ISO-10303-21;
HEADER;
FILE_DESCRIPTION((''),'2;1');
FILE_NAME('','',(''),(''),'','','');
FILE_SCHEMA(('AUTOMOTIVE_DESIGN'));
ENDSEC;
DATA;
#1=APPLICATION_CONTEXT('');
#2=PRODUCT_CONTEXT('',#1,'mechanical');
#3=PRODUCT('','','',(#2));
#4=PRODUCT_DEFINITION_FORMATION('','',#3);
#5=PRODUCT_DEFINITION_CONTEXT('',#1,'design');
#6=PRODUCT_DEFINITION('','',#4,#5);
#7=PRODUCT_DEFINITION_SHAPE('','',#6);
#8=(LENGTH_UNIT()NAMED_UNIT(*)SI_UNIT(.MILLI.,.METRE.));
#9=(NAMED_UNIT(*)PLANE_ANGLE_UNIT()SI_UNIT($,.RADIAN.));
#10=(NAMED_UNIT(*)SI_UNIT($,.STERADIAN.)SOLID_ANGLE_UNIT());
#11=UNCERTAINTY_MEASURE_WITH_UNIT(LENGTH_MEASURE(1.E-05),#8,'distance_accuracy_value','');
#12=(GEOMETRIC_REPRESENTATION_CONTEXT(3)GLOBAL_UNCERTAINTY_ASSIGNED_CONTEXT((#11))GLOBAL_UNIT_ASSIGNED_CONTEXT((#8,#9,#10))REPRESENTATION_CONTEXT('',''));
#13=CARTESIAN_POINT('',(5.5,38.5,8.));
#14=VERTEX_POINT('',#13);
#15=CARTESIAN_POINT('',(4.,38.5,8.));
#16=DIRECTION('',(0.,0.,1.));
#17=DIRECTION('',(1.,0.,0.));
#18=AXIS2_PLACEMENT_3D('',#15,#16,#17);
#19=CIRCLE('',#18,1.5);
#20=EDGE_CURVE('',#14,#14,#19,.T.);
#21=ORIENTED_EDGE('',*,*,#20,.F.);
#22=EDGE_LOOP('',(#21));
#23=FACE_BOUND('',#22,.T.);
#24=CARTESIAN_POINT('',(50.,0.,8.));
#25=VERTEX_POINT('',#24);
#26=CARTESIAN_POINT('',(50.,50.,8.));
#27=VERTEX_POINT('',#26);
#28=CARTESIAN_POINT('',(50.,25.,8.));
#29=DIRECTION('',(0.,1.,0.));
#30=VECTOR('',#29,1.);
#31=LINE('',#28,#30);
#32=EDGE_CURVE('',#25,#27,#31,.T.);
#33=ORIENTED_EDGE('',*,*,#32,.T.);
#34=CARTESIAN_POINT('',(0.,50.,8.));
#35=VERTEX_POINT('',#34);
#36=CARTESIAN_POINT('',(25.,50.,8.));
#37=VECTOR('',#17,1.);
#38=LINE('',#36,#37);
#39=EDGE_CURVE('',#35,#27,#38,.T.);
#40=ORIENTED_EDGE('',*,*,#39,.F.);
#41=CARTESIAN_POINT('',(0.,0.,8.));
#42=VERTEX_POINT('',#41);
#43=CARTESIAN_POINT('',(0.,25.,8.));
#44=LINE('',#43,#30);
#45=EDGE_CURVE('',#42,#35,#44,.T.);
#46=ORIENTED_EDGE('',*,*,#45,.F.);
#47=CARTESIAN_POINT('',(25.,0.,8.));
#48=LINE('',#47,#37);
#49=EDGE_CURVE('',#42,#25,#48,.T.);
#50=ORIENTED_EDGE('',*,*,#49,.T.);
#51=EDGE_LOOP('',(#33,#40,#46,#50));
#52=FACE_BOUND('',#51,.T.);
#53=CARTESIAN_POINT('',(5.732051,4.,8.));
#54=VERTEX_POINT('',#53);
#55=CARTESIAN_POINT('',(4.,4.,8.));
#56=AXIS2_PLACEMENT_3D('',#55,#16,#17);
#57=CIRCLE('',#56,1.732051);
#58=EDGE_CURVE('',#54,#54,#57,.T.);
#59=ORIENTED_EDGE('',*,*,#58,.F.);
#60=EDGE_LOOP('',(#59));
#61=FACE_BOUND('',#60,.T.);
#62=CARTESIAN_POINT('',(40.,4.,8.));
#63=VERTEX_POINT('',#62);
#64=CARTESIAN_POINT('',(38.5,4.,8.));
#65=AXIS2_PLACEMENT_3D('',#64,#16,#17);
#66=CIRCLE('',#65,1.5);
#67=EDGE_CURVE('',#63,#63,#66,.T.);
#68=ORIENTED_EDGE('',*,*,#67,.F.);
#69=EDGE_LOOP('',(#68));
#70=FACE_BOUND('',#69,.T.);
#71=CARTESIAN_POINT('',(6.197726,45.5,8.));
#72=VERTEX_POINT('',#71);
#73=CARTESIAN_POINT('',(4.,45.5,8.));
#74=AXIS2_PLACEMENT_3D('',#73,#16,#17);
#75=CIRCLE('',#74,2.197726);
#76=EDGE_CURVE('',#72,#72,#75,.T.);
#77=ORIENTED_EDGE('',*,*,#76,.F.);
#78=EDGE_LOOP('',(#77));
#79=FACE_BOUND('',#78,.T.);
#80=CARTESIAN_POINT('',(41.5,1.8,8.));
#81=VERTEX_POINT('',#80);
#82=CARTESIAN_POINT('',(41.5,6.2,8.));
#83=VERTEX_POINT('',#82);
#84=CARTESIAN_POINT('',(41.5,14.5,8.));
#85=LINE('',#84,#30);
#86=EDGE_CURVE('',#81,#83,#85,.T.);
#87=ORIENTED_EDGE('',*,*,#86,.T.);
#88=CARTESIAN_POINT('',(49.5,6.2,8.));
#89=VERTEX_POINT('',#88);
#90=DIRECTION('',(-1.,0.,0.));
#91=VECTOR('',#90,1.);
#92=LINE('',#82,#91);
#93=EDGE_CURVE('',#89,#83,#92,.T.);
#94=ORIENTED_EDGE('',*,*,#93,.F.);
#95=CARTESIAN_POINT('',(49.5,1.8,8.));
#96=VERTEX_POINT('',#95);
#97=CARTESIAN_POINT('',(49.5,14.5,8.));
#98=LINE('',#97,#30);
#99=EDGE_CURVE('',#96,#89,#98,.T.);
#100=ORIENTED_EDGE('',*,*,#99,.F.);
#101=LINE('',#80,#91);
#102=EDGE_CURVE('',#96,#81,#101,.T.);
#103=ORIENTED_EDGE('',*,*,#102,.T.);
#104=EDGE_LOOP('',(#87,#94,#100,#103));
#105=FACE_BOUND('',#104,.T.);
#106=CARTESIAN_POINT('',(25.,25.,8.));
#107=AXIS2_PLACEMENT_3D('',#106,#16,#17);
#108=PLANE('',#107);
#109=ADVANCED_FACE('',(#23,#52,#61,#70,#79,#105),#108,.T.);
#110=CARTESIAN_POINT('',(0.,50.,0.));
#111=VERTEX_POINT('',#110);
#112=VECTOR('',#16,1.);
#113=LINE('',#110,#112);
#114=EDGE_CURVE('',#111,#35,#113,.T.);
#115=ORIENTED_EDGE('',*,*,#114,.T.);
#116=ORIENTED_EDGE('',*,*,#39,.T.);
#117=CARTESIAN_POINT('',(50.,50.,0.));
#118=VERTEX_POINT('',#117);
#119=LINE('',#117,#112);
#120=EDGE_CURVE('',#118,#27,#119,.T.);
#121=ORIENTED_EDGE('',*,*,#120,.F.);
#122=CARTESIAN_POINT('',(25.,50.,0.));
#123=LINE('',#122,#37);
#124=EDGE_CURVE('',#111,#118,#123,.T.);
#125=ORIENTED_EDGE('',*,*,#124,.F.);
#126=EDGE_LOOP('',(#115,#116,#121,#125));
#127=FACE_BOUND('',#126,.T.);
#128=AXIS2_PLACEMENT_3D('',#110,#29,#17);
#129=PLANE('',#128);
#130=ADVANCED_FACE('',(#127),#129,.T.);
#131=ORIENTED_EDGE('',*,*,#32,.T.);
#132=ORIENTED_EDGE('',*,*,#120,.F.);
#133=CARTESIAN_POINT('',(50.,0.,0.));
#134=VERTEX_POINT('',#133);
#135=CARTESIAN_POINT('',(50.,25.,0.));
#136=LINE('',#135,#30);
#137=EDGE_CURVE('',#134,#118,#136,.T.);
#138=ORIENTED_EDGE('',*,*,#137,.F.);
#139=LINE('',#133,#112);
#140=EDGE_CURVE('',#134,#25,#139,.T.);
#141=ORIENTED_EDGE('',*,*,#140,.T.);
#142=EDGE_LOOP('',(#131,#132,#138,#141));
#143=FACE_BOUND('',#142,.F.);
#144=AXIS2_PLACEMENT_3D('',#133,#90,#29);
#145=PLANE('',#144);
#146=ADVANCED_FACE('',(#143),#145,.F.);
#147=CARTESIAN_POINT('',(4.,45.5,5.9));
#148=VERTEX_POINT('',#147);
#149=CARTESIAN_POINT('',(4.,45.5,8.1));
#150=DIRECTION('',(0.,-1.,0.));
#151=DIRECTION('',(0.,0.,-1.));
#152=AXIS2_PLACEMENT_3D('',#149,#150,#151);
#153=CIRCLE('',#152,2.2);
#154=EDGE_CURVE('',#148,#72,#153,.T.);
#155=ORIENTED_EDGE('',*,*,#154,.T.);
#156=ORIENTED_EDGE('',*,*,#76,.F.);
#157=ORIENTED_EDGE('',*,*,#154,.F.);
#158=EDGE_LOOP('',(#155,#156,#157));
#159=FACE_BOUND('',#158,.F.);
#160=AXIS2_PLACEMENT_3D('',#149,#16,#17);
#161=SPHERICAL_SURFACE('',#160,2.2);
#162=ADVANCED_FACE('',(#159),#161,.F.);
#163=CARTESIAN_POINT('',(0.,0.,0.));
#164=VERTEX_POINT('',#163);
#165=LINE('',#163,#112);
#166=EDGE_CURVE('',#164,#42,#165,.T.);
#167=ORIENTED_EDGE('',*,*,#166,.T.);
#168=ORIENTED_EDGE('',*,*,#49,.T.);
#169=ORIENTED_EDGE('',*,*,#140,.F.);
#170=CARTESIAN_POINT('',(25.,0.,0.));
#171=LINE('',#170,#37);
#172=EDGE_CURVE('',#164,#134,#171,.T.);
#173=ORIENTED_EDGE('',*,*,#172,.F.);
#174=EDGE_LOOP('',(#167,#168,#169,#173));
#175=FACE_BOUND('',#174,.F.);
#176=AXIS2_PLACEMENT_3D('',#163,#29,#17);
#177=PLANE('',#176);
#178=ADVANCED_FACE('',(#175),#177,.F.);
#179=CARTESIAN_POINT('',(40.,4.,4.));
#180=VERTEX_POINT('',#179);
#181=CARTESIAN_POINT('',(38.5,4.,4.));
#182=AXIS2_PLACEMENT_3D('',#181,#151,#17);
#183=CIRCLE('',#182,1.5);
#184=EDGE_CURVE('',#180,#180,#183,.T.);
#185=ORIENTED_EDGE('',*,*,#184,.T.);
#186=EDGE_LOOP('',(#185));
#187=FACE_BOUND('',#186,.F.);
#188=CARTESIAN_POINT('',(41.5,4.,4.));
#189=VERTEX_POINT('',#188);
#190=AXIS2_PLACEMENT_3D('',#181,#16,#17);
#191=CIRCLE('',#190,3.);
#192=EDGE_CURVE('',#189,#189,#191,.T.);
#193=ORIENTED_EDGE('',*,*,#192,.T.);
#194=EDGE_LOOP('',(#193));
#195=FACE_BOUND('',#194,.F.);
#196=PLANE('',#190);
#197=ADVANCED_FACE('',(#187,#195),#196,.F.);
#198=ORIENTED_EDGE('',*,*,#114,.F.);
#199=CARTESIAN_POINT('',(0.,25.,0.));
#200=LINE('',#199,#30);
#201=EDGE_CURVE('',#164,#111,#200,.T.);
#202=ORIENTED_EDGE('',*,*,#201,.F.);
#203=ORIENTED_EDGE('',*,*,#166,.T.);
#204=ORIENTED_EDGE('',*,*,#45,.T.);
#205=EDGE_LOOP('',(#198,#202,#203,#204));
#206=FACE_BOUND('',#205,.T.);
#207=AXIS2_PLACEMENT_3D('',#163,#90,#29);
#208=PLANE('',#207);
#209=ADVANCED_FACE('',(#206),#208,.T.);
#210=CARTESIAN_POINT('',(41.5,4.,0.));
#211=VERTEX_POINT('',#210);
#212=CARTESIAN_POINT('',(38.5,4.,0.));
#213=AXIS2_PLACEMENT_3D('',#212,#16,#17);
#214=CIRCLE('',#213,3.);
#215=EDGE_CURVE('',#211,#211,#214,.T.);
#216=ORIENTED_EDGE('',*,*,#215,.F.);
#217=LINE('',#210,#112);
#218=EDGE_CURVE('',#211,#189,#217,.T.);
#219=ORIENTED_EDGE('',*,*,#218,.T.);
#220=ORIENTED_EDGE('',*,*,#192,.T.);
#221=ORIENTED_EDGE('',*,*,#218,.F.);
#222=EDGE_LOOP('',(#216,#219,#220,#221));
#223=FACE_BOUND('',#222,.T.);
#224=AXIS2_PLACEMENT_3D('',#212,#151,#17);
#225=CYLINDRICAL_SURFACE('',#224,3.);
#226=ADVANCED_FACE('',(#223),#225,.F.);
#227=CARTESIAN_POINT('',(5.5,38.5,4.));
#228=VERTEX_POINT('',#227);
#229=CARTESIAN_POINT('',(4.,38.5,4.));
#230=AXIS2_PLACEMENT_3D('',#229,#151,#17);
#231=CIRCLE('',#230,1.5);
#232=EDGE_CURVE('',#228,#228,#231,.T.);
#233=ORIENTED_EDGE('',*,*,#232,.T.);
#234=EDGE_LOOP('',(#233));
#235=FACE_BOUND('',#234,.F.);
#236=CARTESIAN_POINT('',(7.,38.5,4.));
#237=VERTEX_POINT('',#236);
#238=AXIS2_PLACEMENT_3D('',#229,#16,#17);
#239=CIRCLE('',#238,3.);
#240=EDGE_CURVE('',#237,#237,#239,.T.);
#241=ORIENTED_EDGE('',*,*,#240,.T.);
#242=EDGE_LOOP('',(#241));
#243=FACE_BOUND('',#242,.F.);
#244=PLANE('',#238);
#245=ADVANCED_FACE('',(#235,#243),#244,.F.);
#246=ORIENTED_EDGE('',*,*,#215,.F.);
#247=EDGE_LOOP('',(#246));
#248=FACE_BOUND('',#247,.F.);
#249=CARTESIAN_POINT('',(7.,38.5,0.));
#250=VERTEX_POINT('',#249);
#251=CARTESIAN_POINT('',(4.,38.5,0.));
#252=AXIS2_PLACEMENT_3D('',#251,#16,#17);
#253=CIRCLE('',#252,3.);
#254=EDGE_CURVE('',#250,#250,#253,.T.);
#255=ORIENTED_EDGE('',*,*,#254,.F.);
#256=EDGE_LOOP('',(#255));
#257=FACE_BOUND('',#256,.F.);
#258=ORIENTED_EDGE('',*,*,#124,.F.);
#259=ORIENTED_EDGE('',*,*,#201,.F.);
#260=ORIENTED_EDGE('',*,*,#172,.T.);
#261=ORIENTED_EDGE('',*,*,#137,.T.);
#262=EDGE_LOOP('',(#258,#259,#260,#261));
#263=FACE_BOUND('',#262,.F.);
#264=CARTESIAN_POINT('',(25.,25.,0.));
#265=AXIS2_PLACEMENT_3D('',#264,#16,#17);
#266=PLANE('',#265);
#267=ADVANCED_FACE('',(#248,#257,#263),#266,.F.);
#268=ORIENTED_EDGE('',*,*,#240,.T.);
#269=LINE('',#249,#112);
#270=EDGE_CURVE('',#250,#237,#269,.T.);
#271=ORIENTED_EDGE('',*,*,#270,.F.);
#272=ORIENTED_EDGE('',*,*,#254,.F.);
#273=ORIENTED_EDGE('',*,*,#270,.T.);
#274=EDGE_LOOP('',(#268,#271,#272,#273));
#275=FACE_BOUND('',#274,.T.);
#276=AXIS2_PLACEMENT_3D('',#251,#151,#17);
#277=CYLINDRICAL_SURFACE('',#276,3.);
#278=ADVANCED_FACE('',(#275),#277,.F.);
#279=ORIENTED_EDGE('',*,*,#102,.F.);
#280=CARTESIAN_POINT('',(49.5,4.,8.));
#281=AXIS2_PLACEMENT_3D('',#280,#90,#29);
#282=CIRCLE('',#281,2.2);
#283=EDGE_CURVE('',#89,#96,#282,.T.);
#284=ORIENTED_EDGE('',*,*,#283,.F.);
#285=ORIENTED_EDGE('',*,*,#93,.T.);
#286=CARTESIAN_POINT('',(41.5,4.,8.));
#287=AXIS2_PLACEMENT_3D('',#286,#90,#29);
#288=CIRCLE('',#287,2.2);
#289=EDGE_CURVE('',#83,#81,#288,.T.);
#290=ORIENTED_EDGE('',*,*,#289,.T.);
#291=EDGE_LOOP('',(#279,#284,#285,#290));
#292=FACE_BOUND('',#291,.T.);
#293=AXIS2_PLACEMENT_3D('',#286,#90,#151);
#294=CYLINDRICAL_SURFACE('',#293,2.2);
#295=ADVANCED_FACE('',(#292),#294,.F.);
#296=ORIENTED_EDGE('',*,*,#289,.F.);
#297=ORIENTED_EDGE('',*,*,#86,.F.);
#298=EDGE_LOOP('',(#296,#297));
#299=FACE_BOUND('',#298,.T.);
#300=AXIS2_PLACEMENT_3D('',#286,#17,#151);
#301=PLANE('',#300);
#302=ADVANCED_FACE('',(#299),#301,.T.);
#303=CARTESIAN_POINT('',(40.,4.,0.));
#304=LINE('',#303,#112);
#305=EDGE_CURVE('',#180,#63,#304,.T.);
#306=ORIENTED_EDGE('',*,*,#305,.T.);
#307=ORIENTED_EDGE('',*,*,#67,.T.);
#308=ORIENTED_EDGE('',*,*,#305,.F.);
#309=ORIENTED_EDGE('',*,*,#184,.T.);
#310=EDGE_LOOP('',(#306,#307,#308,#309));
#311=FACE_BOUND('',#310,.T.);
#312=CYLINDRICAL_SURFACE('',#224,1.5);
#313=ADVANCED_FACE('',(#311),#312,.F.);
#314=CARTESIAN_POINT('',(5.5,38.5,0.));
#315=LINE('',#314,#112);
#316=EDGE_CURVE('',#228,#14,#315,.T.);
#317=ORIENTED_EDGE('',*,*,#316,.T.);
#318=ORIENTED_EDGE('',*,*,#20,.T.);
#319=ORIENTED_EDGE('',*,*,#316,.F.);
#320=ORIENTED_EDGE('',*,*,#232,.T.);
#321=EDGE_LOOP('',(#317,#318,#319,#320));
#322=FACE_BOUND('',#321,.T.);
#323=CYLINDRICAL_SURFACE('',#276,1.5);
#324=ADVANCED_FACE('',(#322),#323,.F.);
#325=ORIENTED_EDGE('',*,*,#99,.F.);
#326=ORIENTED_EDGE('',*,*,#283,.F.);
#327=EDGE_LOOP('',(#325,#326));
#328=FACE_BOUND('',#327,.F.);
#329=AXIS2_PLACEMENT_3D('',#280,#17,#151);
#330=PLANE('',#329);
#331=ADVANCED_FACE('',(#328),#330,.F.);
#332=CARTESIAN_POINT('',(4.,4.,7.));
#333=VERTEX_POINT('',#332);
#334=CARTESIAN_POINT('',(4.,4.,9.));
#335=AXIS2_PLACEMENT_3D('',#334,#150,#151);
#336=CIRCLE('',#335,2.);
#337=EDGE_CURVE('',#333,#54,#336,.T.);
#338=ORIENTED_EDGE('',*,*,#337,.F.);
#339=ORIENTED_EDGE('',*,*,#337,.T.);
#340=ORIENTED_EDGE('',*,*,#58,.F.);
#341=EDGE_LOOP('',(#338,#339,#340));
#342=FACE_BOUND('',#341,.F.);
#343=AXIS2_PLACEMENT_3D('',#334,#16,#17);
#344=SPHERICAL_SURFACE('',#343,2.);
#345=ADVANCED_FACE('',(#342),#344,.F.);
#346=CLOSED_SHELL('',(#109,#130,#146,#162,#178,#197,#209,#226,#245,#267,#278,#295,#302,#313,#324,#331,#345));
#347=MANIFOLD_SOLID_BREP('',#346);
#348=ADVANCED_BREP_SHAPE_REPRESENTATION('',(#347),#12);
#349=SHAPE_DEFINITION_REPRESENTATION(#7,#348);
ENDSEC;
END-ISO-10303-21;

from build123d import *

# Parameters (mm, degrees)
CYLINDER012_R     = 2.2
CYLINDER012_DEPTH = 8
CYLINDER011_R     = 3
CYLINDER011_DEPTH = 4
CYLINDER010_R     = 1.5
CYLINDER010_DEPTH = 8
CYLINDER009_R     = 3
CYLINDER009_DEPTH = 4
CYLINDER008_R     = 1.5
CYLINDER008_DEPTH = 8
BOX002_W          = 50
BOX002_H          = 50
BOX002_DEPTH      = 8


with BuildPart() as cylinder012:
    # Cylinder012 → Cylinder012 (new body)
    with BuildSketch(Plane(origin=(41.5, 4, 8), x_dir=(0, 0, -1), z_dir=(1, 0, 0))):
        Circle(CYLINDER012_R)
    extrude(amount=CYLINDER012_DEPTH)


with BuildPart() as sphere003:
    # Sphere003 → Sphere003 (revolve)
    with BuildSketch(Plane(origin=(4, 45.5, 8.1), x_dir=(1, 0, 0), z_dir=(0, -1, 0))):
        with BuildLine():
            ThreePointArc((0, -2.2), (2.2, 0), (0, 2.2))
            Line((0, 2.2), (0, -2.2))
        make_face()
    revolve(axis=Axis((4, 45.5, 8.1), (0, 0, 1)))


with BuildPart() as sphere001:
    # Sphere001 → Sphere001 (revolve)
    with BuildSketch(Plane(origin=(4, 4, 9), x_dir=(1, 0, 0), z_dir=(0, -1, 0))):
        with BuildLine():
            ThreePointArc((0, -2), (2, 0), (0, 2))
            Line((0, 2), (0, -2))
        make_face()
    revolve(axis=Axis((4, 4, 9), (0, 0, 1)))


with BuildPart() as cylinder011:
    # Cylinder011 → Cylinder011 (new body)
    with BuildSketch(Plane.XY):
        Circle(CYLINDER011_R)
    extrude(amount=CYLINDER011_DEPTH)


with BuildPart() as springhole004:
    # Cylinder010 → Cylinder010 (new body)
    with BuildSketch(Plane.XY):
        Circle(CYLINDER010_R)
    extrude(amount=CYLINDER010_DEPTH)

    # Fusion005: union Cylinder011
    add(cylinder011.part)


with BuildPart() as springhole004_1:
    # Fusion005 placement: moved
    add(springhole004.part.moved(Location((4, 38.5, 0))))


with BuildPart() as cylinder009:
    # Cylinder009 → Cylinder009 (new body)
    with BuildSketch(Plane.XY):
        Circle(CYLINDER009_R)
    extrude(amount=CYLINDER009_DEPTH)


with BuildPart() as springhole003:
    # Cylinder008 → Cylinder008 (new body)
    with BuildSketch(Plane.XY):
        Circle(CYLINDER008_R)
    extrude(amount=CYLINDER008_DEPTH)

    # Fusion004: union Cylinder009
    add(cylinder009.part)


with BuildPart() as springhole003_1:
    # Fusion004 placement: moved
    add(springhole003.part.moved(Location((38.5, 4, 0))))


with BuildPart() as cut012:
    # Box002 → Box002 (new body)
    with BuildSketch(Plane.XY):
        with Locations((25, 25)):
            Rectangle(BOX002_W, BOX002_H)
    extrude(amount=BOX002_DEPTH)

    # Cut008: cut SpringHole003
    add(springhole003_1.part, mode=Mode.SUBTRACT)

    # Cut009: cut SpringHole004
    add(springhole004_1.part, mode=Mode.SUBTRACT)

    # Cut010: cut Sphere001
    add(sphere001.part, mode=Mode.SUBTRACT)

    # Cut011: cut Sphere003
    add(sphere003.part, mode=Mode.SUBTRACT)

    # Cut012: cut Cylinder012
    add(cylinder012.part, mode=Mode.SUBTRACT)


solid = cut012.part
